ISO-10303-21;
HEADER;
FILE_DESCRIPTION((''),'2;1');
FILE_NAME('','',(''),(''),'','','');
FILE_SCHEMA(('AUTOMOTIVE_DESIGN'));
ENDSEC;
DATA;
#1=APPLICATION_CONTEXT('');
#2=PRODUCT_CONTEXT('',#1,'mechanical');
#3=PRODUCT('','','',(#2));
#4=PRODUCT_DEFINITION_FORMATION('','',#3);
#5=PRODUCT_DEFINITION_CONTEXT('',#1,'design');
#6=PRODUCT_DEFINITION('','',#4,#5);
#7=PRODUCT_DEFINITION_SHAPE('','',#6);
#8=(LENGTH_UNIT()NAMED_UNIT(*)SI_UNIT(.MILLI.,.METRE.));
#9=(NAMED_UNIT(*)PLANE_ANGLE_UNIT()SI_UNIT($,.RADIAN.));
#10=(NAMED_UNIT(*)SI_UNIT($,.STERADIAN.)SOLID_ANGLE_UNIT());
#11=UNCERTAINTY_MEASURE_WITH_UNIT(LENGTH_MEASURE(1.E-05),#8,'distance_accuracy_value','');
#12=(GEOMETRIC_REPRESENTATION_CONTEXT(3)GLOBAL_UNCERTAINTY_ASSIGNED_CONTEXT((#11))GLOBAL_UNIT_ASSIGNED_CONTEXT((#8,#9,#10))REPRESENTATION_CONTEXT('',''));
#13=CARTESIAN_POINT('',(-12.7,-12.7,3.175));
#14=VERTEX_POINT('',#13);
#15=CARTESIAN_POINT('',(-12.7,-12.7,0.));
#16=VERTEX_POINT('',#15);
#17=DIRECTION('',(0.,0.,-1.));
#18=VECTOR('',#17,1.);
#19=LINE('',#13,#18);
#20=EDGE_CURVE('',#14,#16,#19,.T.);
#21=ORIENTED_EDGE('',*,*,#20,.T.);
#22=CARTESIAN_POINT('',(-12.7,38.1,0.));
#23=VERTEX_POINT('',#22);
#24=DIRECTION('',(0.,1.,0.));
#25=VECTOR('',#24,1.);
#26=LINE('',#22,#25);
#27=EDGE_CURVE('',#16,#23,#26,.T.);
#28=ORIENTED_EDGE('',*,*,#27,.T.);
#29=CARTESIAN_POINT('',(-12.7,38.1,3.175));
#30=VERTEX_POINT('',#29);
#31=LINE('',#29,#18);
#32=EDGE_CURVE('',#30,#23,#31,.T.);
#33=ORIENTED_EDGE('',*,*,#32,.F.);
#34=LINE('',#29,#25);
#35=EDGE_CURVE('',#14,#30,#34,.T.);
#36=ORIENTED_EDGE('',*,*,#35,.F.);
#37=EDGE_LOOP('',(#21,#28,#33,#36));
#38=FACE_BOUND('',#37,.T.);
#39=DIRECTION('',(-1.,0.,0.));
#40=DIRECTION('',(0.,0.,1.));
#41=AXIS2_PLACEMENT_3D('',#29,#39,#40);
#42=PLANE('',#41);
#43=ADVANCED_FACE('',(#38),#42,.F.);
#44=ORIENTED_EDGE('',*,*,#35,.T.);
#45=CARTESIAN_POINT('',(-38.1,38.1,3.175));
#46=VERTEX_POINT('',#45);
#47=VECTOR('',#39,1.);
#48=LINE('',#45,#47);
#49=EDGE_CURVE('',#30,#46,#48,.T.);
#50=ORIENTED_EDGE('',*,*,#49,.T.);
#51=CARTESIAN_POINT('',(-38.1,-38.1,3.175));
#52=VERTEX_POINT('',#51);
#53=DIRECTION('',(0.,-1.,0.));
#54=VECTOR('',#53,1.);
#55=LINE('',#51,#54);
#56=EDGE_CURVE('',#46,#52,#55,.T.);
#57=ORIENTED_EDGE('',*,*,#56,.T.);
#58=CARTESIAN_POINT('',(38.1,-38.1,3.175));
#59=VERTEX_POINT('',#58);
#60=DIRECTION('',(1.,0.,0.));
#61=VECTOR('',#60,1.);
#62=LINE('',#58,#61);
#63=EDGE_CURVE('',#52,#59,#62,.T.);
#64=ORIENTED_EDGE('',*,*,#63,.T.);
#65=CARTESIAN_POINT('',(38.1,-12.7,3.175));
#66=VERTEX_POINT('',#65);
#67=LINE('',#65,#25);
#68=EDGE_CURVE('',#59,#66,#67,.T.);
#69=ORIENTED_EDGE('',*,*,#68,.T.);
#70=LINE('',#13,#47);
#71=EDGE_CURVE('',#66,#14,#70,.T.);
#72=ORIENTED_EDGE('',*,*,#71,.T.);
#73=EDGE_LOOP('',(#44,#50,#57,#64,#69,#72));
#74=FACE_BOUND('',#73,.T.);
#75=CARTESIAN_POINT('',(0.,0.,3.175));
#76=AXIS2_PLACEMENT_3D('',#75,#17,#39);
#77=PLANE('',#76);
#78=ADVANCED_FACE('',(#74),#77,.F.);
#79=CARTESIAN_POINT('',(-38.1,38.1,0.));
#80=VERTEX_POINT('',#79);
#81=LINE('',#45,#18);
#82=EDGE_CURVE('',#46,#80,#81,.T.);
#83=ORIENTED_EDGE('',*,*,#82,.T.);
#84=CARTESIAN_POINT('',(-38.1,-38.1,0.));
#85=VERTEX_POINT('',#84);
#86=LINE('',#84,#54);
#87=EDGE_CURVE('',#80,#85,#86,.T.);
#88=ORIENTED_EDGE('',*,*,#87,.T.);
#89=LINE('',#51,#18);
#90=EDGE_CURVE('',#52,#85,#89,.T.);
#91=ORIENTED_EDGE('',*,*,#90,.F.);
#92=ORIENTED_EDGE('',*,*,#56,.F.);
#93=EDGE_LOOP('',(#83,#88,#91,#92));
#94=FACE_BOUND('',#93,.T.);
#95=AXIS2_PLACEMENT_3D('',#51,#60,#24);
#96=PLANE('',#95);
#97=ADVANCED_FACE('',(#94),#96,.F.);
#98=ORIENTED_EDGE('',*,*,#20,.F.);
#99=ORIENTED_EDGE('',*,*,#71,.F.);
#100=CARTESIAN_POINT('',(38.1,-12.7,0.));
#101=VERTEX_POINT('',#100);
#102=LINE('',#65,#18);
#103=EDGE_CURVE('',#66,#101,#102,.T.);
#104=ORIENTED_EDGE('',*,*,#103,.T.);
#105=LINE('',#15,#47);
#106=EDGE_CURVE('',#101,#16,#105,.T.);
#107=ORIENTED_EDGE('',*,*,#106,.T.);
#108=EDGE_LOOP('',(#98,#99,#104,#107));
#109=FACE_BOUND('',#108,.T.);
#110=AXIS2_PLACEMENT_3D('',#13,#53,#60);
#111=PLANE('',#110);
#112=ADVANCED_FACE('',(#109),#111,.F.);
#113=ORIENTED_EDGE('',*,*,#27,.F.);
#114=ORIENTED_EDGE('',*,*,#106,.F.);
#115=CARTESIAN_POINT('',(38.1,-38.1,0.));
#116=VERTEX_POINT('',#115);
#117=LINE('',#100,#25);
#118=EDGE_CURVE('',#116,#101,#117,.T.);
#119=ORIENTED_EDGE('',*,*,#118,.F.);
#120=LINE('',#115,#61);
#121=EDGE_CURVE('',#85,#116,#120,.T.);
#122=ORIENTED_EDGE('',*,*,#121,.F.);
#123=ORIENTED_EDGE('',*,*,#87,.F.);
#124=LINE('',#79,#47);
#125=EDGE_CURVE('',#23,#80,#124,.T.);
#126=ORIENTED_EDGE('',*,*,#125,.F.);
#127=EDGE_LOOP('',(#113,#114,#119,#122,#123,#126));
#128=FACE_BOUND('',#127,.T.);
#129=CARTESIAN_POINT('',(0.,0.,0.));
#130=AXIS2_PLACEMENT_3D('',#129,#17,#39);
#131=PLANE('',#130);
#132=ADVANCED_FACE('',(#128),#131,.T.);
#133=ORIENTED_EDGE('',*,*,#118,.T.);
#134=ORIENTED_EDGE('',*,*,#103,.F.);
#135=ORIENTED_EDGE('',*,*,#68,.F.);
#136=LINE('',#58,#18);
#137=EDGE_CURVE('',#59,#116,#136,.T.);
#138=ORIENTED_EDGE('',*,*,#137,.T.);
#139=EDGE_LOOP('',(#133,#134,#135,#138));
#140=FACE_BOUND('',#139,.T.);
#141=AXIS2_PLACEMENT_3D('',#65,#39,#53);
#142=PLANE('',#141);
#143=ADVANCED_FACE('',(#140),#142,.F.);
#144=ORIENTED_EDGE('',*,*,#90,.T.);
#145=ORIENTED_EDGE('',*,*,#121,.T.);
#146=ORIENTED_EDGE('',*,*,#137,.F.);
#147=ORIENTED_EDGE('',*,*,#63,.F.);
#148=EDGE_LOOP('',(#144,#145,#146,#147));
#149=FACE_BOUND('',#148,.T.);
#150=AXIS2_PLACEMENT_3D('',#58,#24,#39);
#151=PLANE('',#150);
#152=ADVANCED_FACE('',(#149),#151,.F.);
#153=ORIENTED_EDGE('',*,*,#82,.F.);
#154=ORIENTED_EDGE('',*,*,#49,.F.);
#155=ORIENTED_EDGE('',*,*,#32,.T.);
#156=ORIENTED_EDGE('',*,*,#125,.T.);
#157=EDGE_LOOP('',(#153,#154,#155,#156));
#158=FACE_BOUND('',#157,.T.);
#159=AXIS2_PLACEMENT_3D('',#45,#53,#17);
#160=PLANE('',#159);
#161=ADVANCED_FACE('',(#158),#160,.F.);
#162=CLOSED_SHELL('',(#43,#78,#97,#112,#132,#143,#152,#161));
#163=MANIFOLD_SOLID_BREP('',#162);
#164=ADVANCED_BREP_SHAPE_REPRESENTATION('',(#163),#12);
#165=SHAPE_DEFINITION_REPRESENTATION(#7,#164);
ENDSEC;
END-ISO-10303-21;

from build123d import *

# Parameters (mm, degrees)
BOSS_EXTRUDE1_DEPTH = 3.175


with BuildPart() as part:
    # Sketch3 → Boss-Extrude1 (new body)
    with BuildSketch(Plane.XY):
        Polygon((-38.1, 38.1), (-12.7, 38.1), (-12.7, -12.7), (38.1, -12.7), (38.1, -38.1), (-38.1, -38.1), align=None)
    extrude(amount=BOSS_EXTRUDE1_DEPTH)


solid = part.part
